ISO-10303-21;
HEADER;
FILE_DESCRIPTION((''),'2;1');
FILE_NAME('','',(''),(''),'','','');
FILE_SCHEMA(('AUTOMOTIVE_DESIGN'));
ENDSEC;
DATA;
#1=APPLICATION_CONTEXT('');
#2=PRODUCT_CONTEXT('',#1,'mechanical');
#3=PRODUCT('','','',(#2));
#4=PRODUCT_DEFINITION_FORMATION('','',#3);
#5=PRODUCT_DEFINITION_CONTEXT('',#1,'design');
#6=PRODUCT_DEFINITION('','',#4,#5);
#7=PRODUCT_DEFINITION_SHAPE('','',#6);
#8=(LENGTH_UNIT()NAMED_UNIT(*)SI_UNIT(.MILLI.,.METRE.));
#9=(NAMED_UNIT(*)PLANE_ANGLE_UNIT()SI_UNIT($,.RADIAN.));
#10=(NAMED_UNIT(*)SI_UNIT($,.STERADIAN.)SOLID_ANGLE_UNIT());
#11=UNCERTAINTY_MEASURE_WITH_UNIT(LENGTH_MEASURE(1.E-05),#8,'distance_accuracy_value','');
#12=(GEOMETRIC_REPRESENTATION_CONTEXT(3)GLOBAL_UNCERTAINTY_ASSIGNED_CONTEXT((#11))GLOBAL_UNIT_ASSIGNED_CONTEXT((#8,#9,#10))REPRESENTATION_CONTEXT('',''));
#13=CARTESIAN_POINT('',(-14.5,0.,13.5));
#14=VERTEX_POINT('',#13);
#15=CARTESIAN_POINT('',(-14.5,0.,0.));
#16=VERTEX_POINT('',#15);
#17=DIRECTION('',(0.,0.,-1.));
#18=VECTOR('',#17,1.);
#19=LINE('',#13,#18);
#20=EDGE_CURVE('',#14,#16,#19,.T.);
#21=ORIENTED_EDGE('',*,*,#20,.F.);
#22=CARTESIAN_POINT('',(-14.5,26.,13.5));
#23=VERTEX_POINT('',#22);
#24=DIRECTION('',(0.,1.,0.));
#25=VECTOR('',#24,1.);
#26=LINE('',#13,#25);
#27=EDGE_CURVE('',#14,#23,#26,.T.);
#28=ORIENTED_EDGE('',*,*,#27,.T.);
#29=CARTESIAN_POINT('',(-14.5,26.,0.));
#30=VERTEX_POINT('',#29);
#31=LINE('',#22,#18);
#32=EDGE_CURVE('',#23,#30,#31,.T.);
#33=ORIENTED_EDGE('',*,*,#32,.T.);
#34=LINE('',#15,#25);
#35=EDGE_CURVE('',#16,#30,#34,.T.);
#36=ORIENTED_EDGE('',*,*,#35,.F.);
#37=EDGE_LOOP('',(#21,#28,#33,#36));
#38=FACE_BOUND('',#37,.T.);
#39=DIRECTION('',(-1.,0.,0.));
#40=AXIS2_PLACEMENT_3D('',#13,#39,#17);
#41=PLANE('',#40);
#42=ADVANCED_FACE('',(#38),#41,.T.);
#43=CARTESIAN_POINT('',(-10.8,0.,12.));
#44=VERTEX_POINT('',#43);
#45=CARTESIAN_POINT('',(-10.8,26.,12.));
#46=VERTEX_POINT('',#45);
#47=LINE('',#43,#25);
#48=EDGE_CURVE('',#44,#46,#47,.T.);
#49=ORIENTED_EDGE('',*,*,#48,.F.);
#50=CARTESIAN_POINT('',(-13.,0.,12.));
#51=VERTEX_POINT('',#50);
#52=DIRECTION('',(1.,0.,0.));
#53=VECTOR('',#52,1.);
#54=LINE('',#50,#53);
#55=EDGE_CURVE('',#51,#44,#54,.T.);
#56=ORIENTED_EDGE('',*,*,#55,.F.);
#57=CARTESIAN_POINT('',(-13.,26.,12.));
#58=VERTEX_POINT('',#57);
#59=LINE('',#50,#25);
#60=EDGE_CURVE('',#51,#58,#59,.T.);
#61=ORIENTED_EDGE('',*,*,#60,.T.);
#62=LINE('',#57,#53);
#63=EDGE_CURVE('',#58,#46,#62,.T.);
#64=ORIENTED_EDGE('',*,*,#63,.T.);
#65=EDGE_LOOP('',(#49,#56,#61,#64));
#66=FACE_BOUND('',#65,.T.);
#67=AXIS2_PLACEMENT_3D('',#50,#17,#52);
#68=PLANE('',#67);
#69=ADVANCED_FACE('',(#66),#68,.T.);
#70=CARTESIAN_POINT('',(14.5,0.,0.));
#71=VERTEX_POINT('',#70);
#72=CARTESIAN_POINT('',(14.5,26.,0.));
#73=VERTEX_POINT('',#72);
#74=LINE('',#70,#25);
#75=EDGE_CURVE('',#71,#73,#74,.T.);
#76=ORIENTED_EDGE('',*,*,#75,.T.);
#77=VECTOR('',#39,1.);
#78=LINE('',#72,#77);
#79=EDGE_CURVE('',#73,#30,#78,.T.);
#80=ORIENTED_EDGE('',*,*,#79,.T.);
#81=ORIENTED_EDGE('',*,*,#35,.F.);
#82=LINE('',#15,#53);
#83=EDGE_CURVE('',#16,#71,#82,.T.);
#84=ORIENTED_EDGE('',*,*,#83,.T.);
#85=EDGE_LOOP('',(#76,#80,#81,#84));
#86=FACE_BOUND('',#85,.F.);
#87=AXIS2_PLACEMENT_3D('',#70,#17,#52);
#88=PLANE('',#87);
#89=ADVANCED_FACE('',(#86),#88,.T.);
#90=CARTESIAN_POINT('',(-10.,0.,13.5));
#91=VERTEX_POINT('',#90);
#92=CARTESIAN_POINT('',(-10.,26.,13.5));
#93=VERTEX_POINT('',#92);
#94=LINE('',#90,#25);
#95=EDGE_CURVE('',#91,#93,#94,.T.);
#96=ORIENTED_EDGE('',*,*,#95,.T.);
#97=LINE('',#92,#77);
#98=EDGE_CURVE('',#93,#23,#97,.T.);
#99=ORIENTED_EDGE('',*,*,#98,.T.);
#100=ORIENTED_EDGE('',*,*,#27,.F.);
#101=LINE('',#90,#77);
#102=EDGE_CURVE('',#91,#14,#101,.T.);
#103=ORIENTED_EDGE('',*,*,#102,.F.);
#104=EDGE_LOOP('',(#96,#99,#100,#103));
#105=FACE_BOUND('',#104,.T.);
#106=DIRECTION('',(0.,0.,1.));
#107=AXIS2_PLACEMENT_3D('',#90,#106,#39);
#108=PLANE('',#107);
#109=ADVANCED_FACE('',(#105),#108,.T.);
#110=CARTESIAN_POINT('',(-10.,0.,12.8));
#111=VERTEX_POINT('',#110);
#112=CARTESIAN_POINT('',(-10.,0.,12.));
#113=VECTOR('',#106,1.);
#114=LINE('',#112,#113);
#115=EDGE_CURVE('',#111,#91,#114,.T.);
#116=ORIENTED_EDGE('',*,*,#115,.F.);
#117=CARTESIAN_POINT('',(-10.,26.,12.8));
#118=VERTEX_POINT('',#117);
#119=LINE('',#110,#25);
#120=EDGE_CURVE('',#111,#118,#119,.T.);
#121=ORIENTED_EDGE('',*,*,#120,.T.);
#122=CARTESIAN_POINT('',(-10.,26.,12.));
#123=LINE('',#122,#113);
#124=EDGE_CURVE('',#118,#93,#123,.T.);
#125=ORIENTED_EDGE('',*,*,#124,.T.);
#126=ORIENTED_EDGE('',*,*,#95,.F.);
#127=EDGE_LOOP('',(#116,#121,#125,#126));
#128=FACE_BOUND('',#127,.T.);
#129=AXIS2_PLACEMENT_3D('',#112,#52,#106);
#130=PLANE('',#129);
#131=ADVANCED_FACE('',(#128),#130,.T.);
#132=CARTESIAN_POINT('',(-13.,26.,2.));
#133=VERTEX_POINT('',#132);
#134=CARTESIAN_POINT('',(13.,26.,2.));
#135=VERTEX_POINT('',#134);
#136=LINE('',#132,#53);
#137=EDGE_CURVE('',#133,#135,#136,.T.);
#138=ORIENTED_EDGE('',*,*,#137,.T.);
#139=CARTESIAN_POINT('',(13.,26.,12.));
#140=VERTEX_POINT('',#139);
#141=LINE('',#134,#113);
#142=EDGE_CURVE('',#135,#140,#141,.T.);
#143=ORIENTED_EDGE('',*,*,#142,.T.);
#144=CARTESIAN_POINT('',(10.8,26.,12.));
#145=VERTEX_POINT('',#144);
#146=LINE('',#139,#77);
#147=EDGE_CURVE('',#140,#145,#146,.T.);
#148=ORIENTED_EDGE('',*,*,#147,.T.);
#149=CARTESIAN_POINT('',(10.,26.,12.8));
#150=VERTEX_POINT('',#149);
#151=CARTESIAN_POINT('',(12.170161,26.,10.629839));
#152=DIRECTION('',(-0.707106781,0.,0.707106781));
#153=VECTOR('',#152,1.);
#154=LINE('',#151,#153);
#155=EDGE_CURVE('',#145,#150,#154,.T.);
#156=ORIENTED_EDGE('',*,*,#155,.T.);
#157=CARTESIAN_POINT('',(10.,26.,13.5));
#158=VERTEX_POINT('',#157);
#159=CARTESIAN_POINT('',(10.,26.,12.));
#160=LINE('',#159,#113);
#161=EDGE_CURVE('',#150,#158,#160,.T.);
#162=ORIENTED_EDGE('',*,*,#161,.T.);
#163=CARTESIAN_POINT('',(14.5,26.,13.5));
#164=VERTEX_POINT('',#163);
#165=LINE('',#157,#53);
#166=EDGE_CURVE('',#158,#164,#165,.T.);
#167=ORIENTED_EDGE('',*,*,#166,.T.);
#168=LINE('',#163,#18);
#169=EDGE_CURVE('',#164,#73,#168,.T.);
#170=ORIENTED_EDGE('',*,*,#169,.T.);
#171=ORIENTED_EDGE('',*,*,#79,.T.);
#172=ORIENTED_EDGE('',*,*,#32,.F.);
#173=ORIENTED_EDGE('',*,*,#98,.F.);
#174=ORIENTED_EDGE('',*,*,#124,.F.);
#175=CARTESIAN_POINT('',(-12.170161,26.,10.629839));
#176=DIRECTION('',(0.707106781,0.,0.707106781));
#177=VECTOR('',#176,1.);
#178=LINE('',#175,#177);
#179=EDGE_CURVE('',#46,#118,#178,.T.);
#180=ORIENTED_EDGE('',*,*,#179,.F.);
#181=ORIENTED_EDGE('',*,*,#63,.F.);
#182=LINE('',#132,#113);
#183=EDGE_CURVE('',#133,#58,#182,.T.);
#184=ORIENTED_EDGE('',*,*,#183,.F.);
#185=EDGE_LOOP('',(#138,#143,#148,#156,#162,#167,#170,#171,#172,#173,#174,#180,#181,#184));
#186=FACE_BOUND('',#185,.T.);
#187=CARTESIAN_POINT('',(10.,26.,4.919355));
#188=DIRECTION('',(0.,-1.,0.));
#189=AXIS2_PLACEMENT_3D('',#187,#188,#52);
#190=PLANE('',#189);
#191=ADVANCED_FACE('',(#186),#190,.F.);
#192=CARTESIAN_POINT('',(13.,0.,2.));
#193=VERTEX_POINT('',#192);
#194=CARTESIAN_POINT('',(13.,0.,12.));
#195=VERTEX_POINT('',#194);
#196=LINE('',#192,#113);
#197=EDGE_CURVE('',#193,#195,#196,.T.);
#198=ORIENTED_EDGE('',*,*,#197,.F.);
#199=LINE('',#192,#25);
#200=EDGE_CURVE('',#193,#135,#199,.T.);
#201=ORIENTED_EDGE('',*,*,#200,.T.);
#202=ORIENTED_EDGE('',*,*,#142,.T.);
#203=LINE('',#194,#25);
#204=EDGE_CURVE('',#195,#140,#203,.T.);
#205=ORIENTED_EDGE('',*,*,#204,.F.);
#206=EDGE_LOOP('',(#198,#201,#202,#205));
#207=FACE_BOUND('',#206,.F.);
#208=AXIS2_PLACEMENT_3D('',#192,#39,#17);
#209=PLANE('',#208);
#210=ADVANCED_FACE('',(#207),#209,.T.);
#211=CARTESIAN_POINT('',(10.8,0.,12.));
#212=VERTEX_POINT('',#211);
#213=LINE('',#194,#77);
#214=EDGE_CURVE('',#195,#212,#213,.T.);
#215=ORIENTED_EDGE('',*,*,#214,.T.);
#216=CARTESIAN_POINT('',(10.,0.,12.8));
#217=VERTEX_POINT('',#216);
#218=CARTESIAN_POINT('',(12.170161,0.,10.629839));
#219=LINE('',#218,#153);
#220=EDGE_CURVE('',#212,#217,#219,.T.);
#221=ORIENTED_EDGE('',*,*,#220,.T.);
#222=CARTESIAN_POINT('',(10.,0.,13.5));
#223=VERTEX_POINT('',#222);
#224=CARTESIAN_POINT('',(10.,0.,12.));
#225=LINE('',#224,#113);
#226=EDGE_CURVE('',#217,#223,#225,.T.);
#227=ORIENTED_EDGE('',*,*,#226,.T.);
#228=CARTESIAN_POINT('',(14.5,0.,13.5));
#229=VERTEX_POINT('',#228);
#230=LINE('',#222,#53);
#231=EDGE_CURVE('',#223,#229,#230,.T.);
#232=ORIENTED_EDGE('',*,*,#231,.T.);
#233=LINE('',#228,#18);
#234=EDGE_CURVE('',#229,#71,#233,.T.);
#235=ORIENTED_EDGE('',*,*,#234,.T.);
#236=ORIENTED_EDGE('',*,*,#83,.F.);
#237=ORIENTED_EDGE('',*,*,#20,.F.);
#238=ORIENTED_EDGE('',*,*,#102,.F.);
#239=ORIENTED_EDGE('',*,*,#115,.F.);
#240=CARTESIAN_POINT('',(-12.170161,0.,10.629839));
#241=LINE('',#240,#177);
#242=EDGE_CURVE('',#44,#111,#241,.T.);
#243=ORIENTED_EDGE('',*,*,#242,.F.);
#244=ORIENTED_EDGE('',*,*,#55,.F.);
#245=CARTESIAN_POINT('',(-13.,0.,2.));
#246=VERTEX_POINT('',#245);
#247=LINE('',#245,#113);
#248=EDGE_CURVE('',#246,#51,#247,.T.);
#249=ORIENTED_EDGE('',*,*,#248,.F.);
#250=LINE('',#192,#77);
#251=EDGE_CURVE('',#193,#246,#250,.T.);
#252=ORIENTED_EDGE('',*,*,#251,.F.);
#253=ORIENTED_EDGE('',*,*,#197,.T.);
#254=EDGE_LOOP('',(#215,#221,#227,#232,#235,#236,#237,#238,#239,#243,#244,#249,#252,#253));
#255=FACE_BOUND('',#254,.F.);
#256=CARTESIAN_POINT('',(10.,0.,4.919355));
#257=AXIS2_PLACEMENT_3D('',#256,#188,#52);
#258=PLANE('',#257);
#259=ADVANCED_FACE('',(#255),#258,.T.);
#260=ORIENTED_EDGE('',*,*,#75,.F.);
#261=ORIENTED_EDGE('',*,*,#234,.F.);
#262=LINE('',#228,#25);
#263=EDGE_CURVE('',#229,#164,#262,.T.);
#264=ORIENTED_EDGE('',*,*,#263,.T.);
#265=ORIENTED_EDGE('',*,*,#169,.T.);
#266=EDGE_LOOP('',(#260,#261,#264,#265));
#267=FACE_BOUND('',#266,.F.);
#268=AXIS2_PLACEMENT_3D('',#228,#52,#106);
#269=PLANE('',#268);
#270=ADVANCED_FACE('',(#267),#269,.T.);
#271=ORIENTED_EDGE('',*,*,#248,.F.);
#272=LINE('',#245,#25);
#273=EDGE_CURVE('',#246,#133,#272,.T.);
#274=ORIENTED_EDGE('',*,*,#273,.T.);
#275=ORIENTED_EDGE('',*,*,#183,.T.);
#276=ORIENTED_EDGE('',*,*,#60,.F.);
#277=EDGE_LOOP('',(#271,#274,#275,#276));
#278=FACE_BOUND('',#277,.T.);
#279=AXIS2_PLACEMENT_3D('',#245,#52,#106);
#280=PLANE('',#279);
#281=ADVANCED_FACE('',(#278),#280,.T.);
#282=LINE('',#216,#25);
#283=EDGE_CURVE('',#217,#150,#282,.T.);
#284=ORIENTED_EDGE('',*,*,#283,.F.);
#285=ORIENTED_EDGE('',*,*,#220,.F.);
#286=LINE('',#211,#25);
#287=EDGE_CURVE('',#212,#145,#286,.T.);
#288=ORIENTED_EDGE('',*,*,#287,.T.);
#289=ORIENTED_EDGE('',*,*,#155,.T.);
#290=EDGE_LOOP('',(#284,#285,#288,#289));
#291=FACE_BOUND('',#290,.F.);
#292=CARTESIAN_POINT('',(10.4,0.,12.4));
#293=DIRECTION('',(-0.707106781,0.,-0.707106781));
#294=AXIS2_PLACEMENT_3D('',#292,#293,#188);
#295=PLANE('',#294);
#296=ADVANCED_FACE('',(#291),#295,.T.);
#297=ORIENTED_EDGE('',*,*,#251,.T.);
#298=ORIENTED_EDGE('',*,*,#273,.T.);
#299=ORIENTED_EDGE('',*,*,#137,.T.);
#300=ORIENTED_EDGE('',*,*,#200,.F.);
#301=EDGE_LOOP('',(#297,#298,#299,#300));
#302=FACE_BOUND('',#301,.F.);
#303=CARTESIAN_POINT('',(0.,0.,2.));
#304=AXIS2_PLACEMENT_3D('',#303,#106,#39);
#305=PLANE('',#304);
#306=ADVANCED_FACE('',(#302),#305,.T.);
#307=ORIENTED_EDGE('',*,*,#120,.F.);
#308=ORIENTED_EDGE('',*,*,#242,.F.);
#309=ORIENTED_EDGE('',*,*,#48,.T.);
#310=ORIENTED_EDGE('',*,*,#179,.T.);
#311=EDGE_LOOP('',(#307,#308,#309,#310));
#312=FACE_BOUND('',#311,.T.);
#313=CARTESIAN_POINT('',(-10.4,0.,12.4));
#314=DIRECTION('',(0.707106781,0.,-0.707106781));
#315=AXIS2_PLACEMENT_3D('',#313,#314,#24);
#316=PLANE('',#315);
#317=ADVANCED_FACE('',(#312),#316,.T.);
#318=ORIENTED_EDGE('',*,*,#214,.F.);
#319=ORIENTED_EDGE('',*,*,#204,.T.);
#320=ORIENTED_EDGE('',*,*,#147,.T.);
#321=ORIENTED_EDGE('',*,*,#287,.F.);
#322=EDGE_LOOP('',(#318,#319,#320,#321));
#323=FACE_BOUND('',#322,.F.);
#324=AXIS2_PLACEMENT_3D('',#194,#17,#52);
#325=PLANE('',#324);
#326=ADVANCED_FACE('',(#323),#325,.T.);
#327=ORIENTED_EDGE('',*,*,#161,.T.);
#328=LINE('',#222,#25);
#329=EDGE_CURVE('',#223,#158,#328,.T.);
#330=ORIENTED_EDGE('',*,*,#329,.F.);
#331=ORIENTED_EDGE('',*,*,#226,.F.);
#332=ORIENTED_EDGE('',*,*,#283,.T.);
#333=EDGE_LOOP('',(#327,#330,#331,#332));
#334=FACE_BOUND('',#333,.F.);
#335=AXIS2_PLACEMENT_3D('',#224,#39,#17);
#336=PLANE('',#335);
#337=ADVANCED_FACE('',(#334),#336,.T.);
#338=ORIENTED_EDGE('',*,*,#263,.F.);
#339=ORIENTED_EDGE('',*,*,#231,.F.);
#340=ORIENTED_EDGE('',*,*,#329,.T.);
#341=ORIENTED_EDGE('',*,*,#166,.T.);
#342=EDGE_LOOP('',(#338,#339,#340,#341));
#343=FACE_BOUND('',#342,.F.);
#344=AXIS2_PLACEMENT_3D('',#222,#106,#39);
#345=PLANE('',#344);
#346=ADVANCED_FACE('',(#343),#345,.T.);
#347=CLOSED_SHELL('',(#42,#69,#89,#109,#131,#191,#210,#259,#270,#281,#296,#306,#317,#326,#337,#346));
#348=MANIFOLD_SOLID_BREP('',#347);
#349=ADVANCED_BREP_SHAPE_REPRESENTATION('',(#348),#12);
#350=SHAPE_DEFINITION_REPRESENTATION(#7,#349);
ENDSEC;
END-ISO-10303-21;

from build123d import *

# Parameters (mm, degrees)
F1_DEPTH = 26
F2_SIZE  = 0.8


with BuildPart() as f1:
    # F0 (on Front) → F1 (new body)
    with BuildSketch(Plane.XZ):
        Polygon((-14.5, 0), (0, 0), (0, 2), (-13, 2), (-13, 12), (-10, 12), (-10, 13.5), (-14.5, 13.5), align=None)
    extrude(amount=-F1_DEPTH)

    # F2
    f2_edges = [f1.edges().sort_by_distance(p)[0] for p in [
        (-10, 13, 12),
    ]]
    chamfer(f2_edges, length=F2_SIZE)

    # F3: F1 across plane


with BuildPart() as f1_1:
    add(f1.part)
    add(f1.part.mirror(Plane.YZ))


solid = f1_1.part
